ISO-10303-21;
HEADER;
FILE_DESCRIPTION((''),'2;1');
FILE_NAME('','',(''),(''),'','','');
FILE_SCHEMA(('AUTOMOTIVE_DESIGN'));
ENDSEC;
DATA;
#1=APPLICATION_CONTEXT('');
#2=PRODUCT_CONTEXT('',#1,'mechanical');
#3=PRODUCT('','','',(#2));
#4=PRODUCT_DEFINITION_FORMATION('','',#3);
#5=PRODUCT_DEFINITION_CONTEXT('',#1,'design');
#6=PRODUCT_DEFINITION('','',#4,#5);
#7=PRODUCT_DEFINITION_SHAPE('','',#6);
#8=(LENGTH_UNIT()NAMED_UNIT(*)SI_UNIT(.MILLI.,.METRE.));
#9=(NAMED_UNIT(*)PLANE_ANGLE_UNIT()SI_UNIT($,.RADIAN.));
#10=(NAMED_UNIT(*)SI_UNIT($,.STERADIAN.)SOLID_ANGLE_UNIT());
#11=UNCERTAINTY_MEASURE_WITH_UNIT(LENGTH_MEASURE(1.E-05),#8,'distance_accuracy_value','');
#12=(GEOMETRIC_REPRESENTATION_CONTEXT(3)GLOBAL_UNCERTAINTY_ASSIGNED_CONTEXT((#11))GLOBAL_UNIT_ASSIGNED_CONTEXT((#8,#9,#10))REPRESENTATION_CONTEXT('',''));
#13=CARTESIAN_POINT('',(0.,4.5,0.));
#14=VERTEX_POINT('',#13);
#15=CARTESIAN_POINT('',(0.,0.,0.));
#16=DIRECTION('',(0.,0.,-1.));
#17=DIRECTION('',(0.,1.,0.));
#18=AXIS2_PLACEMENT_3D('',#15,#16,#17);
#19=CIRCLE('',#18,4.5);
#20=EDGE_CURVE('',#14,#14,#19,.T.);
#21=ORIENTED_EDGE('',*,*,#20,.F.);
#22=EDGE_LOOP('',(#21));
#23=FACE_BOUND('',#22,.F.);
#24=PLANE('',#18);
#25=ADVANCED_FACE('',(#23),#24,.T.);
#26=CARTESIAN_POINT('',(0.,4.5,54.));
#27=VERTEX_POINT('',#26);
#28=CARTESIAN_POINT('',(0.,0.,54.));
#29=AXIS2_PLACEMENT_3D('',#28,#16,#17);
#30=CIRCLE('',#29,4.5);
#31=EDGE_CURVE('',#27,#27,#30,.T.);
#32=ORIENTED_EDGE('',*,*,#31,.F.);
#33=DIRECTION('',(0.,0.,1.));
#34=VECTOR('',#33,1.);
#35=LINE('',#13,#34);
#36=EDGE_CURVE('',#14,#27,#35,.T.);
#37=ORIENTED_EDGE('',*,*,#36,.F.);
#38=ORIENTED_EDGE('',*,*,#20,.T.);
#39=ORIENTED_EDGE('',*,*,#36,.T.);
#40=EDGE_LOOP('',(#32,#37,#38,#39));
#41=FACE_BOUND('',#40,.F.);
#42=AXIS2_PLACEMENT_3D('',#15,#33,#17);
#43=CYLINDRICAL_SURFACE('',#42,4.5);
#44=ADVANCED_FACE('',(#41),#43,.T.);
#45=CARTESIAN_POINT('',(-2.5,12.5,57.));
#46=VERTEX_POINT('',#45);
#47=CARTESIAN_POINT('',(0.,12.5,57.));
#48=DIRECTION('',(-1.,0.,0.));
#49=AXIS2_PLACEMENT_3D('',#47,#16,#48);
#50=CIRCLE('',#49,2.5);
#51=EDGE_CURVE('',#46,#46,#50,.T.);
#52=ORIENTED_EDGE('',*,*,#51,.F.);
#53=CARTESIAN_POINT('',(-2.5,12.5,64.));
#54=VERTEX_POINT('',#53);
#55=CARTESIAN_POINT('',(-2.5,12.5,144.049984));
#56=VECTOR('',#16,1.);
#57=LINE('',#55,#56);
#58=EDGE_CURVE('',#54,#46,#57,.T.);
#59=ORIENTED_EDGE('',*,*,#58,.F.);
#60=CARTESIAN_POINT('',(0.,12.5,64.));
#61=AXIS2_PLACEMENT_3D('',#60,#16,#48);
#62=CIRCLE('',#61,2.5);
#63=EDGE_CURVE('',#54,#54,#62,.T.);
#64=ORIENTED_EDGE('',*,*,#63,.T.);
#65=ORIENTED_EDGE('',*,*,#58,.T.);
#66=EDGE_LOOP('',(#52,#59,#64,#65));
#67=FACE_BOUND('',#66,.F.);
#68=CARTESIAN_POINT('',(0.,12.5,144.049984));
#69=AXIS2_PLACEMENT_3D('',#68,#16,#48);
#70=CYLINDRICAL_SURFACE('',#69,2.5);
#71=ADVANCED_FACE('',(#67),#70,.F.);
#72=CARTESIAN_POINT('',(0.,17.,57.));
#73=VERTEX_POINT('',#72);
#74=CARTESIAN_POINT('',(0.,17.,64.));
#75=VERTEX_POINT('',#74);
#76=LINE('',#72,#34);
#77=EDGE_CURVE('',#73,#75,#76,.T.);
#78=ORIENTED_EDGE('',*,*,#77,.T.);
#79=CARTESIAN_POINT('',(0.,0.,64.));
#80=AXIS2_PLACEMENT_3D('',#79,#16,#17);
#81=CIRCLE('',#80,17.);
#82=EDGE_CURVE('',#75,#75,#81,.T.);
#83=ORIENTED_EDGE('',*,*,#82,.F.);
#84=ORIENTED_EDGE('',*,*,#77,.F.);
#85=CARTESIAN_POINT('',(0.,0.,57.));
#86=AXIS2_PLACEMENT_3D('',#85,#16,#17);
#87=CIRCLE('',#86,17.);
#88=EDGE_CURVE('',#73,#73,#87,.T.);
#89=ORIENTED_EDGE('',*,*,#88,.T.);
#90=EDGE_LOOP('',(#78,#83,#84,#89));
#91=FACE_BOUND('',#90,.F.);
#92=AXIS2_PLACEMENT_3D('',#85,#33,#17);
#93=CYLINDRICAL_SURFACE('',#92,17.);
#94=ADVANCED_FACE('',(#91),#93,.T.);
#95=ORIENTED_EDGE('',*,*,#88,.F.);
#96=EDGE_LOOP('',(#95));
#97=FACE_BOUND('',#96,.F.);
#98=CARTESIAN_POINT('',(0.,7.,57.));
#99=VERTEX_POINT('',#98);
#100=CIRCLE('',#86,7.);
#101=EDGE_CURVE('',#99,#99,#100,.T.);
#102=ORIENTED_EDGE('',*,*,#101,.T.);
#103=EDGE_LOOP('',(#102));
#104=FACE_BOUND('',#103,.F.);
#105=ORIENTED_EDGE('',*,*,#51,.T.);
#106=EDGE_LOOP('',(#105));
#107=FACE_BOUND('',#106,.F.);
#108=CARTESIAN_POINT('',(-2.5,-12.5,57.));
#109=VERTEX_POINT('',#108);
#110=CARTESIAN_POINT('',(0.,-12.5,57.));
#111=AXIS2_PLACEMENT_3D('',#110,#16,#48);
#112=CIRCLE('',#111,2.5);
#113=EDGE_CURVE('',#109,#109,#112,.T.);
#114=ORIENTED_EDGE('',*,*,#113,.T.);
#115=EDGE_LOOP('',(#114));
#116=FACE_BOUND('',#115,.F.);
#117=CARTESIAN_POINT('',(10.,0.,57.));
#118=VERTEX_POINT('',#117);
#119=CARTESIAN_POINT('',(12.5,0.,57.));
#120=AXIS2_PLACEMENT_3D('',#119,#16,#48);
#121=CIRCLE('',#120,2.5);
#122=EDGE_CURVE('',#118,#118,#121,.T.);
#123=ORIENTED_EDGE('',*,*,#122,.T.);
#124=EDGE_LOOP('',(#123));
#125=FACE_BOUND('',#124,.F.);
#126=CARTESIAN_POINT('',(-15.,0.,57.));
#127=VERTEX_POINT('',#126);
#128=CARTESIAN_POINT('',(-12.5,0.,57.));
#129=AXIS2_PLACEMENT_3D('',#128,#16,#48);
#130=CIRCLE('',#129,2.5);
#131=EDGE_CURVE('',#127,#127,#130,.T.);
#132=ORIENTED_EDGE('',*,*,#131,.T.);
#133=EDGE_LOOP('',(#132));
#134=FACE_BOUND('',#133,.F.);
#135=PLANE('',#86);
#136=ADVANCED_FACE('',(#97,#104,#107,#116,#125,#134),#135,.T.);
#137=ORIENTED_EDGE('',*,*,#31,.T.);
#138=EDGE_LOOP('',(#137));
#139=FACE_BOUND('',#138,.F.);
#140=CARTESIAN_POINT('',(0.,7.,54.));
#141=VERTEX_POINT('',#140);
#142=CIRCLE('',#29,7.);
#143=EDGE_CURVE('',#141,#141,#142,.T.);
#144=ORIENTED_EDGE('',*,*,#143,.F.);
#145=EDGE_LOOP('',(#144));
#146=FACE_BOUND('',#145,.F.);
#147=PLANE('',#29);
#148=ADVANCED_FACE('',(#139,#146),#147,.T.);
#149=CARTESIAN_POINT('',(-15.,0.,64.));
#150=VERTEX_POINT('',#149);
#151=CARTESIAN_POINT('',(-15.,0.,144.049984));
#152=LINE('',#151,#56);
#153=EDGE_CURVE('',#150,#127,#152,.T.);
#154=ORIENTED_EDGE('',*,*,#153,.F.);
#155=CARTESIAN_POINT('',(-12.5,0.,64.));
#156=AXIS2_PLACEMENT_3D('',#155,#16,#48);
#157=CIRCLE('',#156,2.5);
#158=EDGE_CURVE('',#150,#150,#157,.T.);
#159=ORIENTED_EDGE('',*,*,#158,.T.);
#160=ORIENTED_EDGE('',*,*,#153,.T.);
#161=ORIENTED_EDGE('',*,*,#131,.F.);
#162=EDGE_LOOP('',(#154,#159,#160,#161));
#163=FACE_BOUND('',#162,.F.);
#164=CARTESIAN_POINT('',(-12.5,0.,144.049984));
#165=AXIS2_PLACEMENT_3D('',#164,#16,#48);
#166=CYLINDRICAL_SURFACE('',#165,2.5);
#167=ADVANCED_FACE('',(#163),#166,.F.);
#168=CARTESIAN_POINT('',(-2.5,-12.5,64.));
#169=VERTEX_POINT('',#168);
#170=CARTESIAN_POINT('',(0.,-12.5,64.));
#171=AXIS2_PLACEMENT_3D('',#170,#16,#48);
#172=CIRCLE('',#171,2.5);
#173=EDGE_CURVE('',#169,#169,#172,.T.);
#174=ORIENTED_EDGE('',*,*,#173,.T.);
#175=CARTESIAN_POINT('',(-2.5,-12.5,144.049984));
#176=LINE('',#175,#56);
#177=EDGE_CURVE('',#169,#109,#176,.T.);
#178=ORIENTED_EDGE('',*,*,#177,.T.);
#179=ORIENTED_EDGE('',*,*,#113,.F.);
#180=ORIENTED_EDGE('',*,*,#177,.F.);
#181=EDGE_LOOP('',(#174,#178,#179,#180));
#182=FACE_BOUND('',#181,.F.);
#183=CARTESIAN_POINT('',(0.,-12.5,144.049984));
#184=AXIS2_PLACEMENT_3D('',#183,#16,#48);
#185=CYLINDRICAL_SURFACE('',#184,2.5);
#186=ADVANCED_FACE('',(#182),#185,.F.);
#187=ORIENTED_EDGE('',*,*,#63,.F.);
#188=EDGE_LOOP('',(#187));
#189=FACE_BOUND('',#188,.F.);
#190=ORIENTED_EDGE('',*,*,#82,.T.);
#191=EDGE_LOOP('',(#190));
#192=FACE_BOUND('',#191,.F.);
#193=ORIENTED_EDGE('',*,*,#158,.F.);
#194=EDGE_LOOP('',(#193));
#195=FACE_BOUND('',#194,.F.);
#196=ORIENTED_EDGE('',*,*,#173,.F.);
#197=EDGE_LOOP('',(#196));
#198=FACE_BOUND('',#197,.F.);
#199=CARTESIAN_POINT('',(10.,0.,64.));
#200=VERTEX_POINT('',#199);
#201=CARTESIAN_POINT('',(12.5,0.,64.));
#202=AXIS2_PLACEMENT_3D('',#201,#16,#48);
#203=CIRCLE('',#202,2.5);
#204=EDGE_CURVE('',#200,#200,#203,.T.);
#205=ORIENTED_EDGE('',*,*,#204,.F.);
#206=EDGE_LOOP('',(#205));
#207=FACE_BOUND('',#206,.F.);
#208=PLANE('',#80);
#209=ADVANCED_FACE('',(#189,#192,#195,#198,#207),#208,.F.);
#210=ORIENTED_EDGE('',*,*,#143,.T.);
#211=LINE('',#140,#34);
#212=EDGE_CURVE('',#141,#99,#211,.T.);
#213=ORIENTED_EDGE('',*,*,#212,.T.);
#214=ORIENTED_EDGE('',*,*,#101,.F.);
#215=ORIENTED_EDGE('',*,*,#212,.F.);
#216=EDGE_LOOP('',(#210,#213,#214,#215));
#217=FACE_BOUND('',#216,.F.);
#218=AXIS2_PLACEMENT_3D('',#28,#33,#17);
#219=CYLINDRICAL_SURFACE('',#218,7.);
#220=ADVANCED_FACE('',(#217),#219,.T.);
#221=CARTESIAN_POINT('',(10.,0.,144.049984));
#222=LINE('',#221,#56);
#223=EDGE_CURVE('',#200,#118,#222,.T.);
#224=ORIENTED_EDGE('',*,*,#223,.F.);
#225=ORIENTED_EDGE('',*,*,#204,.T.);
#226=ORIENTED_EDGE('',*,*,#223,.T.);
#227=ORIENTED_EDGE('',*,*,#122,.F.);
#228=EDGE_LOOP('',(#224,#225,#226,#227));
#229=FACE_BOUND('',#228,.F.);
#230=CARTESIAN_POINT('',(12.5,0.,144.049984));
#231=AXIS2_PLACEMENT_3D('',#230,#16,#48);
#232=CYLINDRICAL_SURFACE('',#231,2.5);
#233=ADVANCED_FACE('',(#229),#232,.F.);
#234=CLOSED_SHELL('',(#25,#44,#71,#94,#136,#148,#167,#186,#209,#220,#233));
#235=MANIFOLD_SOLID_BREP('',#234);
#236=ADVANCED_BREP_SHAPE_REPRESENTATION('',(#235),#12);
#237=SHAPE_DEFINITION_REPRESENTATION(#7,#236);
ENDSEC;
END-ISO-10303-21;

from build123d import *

# Parameters (mm, degrees)
F3_D = 5


with BuildPart() as f1:
    # F0 (on Right) → F1 (revolve)
    with BuildSketch(Plane.YZ):
        Polygon((0, 64), (0, 0), (4.5, 0), (4.5, 54), (7, 54), (7, 57), (17, 57), (17, 64), align=None)
    revolve(axis=Axis((0, 0, 32), (0, 0, -1)))

    # F3 (through all)
    with Locations(Plane.XY.offset(64)):
        with Locations((-12.5, 0), (0, -12.5), (12.5, 0), (0, 12.5)):
            Hole(F3_D / 2)


solid = f1.part
